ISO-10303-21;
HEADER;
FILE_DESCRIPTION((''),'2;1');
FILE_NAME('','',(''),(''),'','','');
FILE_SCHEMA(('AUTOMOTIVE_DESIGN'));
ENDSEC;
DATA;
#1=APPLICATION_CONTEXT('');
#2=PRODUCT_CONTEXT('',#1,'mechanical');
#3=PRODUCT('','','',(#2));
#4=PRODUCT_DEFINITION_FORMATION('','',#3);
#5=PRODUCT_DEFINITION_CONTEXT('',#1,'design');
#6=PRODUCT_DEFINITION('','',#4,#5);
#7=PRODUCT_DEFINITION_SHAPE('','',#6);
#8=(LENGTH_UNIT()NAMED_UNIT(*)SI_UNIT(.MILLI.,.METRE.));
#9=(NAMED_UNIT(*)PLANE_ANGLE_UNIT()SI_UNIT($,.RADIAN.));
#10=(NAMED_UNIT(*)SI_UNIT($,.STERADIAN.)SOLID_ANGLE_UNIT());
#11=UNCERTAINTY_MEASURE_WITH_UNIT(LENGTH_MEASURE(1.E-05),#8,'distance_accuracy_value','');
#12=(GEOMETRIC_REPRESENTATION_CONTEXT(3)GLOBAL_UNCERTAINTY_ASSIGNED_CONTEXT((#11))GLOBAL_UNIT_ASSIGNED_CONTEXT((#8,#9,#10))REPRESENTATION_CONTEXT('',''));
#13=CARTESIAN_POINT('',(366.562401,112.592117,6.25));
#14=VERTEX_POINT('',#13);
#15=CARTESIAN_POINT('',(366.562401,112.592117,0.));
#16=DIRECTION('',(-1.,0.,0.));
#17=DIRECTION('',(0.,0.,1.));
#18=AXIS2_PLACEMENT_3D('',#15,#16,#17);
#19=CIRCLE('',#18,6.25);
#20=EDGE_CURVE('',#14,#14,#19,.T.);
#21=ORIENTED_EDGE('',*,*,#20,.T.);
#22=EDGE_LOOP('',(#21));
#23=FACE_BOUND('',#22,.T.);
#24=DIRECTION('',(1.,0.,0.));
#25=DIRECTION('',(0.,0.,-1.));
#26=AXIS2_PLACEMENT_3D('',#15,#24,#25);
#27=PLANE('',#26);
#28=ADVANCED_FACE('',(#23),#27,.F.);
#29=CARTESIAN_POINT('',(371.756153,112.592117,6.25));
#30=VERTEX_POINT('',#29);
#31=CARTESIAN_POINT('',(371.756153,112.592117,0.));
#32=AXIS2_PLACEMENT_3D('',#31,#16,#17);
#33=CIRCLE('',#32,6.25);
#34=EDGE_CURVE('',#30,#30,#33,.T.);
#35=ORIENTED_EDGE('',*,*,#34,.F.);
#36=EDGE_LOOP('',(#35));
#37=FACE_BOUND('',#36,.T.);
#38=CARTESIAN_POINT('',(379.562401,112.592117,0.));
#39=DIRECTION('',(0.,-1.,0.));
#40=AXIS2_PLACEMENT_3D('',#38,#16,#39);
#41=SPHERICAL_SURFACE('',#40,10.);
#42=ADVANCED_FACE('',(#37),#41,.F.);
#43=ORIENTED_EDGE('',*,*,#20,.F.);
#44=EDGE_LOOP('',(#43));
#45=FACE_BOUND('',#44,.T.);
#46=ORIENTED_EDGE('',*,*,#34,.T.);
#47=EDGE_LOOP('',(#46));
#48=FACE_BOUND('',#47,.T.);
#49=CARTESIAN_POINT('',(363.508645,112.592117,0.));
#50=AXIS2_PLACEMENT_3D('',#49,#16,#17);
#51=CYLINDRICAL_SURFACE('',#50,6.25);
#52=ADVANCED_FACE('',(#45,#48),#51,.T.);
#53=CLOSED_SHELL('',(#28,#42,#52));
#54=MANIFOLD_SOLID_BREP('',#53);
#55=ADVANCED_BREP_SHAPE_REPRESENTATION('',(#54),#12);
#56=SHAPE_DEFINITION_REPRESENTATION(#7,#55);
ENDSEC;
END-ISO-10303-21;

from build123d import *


with BuildPart() as part:
    # 草图1 → 旋转1 (revolve)
    with BuildSketch(Plane.XY, mode=Mode.PRIVATE) as revolve_1_sk:
        with BuildLine():
            Line((366.562400986, 112.592117064), (366.562400986, 118.842117064))
            Line((366.562400986, 118.842117064), (371.756153488, 118.842117064))
            ThreePointArc((371.756153488, 118.842117064), (370.126764415, 115.904029278), (369.562400986, 112.592117064))
            Line((369.562400986, 112.592117064), (366.562400986, 112.592117064))
        make_face()
    revolve(revolve_1_sk.sketch.rotate(Axis((363.508644719, 112.592117064, 0), (1, 0, 0)), 180), axis=Axis((363.508644719, 112.592117064, 0), (1, 0, 0)))  # turned: the seam where the file's is


solid = part.part
